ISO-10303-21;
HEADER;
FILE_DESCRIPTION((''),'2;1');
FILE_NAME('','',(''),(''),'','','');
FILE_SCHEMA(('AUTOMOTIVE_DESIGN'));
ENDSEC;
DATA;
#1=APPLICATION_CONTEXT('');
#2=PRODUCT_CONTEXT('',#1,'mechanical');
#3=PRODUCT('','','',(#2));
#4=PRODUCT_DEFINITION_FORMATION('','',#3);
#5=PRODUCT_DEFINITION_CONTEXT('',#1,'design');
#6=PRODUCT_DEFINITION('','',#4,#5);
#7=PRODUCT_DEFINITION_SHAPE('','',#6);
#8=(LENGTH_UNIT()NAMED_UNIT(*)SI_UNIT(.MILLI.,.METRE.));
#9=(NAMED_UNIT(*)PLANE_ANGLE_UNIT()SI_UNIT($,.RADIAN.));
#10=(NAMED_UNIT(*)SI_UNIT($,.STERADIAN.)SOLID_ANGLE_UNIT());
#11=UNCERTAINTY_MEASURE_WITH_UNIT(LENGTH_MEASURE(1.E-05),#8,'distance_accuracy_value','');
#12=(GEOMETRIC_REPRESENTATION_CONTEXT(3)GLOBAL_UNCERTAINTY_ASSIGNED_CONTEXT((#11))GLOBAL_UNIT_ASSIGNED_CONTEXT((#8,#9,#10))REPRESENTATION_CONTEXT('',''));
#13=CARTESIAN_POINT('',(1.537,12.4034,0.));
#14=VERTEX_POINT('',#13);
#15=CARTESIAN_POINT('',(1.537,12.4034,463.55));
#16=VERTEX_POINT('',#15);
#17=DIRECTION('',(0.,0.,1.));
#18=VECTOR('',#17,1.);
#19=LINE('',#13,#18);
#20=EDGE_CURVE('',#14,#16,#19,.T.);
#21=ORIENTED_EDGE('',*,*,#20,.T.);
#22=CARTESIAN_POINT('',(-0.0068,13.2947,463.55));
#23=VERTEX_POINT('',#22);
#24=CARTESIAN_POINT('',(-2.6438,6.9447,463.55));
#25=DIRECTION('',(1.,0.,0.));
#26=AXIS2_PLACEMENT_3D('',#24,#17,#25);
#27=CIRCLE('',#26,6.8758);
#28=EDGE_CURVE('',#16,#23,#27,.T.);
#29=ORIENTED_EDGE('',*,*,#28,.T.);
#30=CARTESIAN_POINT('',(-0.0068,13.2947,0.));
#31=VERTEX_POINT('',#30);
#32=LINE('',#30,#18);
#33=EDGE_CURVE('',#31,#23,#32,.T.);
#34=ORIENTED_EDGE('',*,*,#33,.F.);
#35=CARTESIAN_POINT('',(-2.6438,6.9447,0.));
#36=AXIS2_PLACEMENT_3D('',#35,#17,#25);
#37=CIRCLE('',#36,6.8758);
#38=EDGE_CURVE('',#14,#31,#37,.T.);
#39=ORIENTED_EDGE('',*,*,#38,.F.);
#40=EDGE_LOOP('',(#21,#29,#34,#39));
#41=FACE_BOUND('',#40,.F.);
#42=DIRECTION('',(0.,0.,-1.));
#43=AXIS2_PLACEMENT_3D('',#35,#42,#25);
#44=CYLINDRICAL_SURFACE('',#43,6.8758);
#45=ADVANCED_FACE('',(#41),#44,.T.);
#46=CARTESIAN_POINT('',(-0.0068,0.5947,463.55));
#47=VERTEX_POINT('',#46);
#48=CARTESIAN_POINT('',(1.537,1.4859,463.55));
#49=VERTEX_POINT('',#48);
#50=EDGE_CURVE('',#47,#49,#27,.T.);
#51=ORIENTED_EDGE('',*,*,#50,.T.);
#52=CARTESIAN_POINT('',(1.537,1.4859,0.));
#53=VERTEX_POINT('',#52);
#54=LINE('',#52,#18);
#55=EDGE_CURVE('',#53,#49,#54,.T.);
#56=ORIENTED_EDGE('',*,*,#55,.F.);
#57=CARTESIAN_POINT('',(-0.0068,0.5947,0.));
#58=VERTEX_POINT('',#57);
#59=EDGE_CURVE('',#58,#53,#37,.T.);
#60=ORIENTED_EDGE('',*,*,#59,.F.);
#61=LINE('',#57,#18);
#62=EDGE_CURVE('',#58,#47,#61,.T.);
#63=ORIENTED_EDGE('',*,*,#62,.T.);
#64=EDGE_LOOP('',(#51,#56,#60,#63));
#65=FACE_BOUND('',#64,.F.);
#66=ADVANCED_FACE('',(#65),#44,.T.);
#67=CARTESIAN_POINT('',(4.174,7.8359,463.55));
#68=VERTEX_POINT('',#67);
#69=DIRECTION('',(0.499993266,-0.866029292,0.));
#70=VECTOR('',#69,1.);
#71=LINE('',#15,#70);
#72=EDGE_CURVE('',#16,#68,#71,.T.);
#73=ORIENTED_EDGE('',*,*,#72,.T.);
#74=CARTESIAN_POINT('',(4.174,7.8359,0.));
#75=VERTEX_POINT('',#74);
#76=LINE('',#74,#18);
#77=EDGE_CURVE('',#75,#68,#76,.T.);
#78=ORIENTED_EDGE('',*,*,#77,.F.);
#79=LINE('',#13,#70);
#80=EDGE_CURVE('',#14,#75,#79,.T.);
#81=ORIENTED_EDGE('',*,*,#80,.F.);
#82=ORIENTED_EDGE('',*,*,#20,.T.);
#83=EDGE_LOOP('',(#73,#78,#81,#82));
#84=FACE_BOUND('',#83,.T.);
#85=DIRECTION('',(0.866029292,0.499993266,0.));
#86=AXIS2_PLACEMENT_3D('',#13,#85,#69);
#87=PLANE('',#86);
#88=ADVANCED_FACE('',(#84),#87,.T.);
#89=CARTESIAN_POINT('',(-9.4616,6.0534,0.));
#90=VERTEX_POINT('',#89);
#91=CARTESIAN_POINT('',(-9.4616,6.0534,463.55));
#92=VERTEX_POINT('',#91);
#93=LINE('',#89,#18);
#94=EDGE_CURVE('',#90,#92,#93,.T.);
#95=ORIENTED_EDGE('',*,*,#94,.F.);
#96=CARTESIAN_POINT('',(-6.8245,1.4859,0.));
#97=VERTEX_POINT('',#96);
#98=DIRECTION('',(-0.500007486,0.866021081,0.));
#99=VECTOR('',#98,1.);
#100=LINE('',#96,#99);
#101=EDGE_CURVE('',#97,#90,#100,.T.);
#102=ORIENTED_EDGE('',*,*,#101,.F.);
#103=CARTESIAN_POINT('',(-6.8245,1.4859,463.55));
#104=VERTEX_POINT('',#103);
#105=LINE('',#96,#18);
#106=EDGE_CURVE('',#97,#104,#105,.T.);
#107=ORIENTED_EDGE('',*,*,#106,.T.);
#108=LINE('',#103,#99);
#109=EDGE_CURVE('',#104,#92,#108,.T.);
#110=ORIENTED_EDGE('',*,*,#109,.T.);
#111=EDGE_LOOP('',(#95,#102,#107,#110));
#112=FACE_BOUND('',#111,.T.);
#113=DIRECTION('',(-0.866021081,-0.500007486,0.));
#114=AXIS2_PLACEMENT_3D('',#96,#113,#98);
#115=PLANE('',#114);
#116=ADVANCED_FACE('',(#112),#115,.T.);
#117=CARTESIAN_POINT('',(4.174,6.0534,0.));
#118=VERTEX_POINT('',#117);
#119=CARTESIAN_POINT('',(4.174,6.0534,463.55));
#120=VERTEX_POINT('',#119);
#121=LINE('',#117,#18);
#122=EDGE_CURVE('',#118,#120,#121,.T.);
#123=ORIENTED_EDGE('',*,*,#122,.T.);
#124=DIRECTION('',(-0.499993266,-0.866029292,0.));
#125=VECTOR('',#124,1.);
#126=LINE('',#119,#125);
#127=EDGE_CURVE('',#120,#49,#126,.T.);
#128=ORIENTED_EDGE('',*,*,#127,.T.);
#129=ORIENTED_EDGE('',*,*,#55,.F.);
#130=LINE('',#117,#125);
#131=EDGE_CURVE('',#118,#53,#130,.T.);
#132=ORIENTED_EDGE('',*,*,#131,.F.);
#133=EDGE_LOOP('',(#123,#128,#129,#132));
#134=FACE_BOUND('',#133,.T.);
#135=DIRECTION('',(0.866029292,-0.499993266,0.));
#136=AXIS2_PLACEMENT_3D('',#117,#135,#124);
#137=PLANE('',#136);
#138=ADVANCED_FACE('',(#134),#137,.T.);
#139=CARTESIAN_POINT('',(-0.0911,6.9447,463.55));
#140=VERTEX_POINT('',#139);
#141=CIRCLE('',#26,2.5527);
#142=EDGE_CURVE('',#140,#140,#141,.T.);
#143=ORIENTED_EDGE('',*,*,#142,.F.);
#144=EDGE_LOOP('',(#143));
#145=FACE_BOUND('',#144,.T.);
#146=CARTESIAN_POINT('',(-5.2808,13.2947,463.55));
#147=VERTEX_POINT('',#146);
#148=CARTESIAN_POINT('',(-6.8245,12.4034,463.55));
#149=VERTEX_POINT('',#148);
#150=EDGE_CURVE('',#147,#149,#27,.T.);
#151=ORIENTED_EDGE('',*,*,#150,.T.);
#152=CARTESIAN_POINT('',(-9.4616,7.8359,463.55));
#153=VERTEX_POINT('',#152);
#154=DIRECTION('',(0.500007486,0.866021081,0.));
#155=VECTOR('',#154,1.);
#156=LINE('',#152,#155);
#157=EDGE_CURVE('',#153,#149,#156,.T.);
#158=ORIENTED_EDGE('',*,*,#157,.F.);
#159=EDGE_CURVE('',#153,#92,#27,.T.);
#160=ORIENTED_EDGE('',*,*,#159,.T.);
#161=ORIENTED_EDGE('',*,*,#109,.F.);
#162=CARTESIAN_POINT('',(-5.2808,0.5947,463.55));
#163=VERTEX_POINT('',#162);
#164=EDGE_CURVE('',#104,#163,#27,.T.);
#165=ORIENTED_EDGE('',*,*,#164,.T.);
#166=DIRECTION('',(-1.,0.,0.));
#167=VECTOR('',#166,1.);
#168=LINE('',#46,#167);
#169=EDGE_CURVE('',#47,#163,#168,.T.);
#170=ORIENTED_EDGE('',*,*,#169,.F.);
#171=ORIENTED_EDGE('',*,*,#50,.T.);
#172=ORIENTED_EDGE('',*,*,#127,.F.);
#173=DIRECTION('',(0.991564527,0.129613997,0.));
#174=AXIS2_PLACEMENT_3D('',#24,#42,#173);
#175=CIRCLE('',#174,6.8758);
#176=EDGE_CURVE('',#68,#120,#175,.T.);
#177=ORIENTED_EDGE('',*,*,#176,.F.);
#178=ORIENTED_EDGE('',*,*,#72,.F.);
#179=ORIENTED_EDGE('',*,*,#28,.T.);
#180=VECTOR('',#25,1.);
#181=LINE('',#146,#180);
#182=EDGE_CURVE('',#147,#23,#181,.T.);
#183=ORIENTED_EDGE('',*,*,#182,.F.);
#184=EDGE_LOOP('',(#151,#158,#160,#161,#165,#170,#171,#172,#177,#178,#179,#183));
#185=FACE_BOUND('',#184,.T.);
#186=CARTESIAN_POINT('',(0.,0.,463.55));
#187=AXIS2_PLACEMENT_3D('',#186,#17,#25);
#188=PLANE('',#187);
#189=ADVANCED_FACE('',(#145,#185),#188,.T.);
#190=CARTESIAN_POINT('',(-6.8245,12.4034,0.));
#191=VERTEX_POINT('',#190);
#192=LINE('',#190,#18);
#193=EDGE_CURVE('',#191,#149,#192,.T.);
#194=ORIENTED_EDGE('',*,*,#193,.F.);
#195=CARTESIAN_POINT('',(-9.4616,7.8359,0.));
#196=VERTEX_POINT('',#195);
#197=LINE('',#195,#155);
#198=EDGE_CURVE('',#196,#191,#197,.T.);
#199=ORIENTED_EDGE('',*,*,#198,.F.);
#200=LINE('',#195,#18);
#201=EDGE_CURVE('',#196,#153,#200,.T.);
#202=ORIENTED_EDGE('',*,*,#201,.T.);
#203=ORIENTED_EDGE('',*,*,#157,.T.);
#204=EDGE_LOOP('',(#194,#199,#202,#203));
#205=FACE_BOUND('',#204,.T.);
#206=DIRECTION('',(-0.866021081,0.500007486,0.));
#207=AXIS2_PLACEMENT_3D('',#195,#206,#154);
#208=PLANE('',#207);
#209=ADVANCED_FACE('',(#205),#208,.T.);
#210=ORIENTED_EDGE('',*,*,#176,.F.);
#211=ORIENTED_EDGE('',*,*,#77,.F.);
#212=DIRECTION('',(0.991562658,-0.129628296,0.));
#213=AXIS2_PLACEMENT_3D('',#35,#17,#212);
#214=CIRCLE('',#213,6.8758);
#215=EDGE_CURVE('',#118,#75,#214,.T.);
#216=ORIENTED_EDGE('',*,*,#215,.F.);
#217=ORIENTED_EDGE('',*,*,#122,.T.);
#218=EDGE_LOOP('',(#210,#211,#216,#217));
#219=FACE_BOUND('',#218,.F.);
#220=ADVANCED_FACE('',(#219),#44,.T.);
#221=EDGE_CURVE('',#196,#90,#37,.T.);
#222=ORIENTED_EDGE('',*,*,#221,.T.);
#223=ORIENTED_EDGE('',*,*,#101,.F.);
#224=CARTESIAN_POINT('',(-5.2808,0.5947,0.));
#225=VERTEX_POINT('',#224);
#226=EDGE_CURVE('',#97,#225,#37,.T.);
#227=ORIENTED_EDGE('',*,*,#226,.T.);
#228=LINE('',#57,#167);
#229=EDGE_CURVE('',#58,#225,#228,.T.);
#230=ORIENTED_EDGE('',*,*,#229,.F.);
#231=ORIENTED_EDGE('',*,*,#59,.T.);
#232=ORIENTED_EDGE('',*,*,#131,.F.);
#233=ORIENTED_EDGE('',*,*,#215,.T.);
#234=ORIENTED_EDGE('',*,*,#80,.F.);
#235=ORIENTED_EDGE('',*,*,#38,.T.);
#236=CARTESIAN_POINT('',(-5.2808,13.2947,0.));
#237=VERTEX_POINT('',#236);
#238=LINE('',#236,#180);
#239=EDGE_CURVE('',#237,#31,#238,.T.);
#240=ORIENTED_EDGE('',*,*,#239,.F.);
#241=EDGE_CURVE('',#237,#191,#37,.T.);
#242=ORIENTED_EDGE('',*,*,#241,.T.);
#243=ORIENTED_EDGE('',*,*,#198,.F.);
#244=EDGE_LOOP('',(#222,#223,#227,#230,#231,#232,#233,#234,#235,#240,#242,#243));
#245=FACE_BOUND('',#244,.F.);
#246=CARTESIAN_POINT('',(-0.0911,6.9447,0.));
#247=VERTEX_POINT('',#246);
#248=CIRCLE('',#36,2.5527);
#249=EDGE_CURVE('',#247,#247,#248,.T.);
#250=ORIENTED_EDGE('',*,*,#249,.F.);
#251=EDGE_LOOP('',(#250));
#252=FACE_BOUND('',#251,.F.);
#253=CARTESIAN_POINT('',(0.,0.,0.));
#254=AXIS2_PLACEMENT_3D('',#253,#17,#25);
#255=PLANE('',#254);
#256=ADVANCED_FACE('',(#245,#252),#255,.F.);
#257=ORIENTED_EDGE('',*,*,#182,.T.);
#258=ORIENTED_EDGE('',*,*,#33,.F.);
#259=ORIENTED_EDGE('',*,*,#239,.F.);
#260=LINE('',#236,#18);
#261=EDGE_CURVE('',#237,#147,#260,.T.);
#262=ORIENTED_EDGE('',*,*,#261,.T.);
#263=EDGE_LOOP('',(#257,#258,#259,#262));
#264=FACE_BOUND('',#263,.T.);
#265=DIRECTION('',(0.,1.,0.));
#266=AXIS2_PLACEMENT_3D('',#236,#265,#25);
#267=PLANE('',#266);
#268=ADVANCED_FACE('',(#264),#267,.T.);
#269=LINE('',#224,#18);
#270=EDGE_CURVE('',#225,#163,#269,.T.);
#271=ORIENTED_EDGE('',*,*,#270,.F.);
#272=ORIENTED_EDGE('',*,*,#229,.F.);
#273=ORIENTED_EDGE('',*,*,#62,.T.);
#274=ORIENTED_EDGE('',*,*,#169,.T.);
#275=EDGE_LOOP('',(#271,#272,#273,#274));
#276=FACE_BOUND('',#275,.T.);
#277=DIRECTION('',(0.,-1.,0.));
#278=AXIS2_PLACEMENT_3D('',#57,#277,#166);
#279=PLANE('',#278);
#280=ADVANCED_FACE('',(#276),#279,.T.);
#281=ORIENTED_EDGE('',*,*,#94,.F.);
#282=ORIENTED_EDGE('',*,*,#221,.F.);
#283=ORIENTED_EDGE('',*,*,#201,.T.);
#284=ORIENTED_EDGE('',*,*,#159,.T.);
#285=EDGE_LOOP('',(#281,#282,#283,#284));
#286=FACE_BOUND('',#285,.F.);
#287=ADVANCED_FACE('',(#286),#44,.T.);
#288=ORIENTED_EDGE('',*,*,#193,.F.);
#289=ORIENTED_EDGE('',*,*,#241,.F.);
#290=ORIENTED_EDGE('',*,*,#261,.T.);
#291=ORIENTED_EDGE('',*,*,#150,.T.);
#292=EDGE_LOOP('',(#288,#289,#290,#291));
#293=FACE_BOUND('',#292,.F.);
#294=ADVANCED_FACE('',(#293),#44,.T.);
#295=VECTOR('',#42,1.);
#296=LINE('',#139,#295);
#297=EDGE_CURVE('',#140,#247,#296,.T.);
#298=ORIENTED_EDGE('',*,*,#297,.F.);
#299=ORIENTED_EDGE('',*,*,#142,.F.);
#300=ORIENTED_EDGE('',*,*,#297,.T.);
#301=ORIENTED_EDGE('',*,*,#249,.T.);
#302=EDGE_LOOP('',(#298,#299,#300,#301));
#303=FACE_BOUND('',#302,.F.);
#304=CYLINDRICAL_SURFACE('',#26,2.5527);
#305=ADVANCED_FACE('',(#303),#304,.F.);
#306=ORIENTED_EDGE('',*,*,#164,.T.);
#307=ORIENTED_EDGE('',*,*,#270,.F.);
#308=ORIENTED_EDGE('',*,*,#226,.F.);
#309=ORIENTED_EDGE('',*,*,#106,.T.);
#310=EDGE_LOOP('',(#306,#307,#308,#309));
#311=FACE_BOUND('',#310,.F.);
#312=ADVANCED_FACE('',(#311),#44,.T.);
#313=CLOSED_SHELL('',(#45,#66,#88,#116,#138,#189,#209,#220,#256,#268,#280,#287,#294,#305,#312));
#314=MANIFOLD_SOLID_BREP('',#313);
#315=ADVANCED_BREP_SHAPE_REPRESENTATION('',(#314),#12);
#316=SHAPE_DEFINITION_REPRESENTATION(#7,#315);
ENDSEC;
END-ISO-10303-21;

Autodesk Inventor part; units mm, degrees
ref_plane "YZ Plane" through (0, 0, 0) normal (1, 0, 0) x (0, 1, 0)
ref_plane "XZ Plane" through (0, 0, 0) normal (0, 1, 0) x (-1, 0, 0)
ref_plane "XY Plane" through (0, 0, 0) normal (0, 0, 1) x (1, 0, 0)
sketch "Sketch1" plane through (0, 0, 0) normal (0, 0, 1) x (1, 0, 0)
  circle A0 centre (-2.6438, 6.9447) radius 6.8758
  line L0 (-9.4616, 7.8359) -> (-6.8245, 12.4034)
  line L1 (-6.8245, 1.4859) -> (-9.4616, 6.0534)
  line L2 (-0.0068, 0.5947) -> (-5.2808, 0.5947)
  line L3 (4.174, 6.0534) -> (1.537, 1.4859)
  line L4 (1.537, 12.4034) -> (4.174, 7.8359)
  line L5 (-5.2808, 13.2947) -> (-0.0068, 13.2947)
  point P0 (0, 0)
  point P1 (1.537, 1.4859)
  dimension "d0" = 13.7516
  dimension "d4" = 360
extrude "Extrusion1" add sketch "Sketch1" along normal blind 463.55 contours A0 L3 L2 L1 L0 L5 L4
sketch "Sketch2" plane through (0, 0, 463.55) normal (0, 0, 1) x (1, 0, 0)
  circle A0 centre (-2.6438, 6.9447) radius 2.5527
  line L0 (-5.2808, 0.5947) -> (-0.0068, 0.5947) projected
  line L1 (-2.6438, 6.9447) -> (-5.2808, 0.5947) construction
  line L2 (-2.6438, 6.9447) -> (-0.0068, 0.5947) construction
  point P0 (0, 0)
  dimension "d8" = 5.1054
  dimension "d9" = 6.35
extrude "Extrusion2" cut sketch "Sketch2" against normal blind 463.55
sketch "Sketch3" plane through (0, 0, 463.55) normal (0, 0, 1) x (1, 0, 0)
  point P0 (0, 0)
equation "\"d6\" = d5"
equation "\"d10\" = d5"
equation "\"d5\" = 463.55"
properties part number "part_18 in. Thundershaft" material "Aluminum 6061"
